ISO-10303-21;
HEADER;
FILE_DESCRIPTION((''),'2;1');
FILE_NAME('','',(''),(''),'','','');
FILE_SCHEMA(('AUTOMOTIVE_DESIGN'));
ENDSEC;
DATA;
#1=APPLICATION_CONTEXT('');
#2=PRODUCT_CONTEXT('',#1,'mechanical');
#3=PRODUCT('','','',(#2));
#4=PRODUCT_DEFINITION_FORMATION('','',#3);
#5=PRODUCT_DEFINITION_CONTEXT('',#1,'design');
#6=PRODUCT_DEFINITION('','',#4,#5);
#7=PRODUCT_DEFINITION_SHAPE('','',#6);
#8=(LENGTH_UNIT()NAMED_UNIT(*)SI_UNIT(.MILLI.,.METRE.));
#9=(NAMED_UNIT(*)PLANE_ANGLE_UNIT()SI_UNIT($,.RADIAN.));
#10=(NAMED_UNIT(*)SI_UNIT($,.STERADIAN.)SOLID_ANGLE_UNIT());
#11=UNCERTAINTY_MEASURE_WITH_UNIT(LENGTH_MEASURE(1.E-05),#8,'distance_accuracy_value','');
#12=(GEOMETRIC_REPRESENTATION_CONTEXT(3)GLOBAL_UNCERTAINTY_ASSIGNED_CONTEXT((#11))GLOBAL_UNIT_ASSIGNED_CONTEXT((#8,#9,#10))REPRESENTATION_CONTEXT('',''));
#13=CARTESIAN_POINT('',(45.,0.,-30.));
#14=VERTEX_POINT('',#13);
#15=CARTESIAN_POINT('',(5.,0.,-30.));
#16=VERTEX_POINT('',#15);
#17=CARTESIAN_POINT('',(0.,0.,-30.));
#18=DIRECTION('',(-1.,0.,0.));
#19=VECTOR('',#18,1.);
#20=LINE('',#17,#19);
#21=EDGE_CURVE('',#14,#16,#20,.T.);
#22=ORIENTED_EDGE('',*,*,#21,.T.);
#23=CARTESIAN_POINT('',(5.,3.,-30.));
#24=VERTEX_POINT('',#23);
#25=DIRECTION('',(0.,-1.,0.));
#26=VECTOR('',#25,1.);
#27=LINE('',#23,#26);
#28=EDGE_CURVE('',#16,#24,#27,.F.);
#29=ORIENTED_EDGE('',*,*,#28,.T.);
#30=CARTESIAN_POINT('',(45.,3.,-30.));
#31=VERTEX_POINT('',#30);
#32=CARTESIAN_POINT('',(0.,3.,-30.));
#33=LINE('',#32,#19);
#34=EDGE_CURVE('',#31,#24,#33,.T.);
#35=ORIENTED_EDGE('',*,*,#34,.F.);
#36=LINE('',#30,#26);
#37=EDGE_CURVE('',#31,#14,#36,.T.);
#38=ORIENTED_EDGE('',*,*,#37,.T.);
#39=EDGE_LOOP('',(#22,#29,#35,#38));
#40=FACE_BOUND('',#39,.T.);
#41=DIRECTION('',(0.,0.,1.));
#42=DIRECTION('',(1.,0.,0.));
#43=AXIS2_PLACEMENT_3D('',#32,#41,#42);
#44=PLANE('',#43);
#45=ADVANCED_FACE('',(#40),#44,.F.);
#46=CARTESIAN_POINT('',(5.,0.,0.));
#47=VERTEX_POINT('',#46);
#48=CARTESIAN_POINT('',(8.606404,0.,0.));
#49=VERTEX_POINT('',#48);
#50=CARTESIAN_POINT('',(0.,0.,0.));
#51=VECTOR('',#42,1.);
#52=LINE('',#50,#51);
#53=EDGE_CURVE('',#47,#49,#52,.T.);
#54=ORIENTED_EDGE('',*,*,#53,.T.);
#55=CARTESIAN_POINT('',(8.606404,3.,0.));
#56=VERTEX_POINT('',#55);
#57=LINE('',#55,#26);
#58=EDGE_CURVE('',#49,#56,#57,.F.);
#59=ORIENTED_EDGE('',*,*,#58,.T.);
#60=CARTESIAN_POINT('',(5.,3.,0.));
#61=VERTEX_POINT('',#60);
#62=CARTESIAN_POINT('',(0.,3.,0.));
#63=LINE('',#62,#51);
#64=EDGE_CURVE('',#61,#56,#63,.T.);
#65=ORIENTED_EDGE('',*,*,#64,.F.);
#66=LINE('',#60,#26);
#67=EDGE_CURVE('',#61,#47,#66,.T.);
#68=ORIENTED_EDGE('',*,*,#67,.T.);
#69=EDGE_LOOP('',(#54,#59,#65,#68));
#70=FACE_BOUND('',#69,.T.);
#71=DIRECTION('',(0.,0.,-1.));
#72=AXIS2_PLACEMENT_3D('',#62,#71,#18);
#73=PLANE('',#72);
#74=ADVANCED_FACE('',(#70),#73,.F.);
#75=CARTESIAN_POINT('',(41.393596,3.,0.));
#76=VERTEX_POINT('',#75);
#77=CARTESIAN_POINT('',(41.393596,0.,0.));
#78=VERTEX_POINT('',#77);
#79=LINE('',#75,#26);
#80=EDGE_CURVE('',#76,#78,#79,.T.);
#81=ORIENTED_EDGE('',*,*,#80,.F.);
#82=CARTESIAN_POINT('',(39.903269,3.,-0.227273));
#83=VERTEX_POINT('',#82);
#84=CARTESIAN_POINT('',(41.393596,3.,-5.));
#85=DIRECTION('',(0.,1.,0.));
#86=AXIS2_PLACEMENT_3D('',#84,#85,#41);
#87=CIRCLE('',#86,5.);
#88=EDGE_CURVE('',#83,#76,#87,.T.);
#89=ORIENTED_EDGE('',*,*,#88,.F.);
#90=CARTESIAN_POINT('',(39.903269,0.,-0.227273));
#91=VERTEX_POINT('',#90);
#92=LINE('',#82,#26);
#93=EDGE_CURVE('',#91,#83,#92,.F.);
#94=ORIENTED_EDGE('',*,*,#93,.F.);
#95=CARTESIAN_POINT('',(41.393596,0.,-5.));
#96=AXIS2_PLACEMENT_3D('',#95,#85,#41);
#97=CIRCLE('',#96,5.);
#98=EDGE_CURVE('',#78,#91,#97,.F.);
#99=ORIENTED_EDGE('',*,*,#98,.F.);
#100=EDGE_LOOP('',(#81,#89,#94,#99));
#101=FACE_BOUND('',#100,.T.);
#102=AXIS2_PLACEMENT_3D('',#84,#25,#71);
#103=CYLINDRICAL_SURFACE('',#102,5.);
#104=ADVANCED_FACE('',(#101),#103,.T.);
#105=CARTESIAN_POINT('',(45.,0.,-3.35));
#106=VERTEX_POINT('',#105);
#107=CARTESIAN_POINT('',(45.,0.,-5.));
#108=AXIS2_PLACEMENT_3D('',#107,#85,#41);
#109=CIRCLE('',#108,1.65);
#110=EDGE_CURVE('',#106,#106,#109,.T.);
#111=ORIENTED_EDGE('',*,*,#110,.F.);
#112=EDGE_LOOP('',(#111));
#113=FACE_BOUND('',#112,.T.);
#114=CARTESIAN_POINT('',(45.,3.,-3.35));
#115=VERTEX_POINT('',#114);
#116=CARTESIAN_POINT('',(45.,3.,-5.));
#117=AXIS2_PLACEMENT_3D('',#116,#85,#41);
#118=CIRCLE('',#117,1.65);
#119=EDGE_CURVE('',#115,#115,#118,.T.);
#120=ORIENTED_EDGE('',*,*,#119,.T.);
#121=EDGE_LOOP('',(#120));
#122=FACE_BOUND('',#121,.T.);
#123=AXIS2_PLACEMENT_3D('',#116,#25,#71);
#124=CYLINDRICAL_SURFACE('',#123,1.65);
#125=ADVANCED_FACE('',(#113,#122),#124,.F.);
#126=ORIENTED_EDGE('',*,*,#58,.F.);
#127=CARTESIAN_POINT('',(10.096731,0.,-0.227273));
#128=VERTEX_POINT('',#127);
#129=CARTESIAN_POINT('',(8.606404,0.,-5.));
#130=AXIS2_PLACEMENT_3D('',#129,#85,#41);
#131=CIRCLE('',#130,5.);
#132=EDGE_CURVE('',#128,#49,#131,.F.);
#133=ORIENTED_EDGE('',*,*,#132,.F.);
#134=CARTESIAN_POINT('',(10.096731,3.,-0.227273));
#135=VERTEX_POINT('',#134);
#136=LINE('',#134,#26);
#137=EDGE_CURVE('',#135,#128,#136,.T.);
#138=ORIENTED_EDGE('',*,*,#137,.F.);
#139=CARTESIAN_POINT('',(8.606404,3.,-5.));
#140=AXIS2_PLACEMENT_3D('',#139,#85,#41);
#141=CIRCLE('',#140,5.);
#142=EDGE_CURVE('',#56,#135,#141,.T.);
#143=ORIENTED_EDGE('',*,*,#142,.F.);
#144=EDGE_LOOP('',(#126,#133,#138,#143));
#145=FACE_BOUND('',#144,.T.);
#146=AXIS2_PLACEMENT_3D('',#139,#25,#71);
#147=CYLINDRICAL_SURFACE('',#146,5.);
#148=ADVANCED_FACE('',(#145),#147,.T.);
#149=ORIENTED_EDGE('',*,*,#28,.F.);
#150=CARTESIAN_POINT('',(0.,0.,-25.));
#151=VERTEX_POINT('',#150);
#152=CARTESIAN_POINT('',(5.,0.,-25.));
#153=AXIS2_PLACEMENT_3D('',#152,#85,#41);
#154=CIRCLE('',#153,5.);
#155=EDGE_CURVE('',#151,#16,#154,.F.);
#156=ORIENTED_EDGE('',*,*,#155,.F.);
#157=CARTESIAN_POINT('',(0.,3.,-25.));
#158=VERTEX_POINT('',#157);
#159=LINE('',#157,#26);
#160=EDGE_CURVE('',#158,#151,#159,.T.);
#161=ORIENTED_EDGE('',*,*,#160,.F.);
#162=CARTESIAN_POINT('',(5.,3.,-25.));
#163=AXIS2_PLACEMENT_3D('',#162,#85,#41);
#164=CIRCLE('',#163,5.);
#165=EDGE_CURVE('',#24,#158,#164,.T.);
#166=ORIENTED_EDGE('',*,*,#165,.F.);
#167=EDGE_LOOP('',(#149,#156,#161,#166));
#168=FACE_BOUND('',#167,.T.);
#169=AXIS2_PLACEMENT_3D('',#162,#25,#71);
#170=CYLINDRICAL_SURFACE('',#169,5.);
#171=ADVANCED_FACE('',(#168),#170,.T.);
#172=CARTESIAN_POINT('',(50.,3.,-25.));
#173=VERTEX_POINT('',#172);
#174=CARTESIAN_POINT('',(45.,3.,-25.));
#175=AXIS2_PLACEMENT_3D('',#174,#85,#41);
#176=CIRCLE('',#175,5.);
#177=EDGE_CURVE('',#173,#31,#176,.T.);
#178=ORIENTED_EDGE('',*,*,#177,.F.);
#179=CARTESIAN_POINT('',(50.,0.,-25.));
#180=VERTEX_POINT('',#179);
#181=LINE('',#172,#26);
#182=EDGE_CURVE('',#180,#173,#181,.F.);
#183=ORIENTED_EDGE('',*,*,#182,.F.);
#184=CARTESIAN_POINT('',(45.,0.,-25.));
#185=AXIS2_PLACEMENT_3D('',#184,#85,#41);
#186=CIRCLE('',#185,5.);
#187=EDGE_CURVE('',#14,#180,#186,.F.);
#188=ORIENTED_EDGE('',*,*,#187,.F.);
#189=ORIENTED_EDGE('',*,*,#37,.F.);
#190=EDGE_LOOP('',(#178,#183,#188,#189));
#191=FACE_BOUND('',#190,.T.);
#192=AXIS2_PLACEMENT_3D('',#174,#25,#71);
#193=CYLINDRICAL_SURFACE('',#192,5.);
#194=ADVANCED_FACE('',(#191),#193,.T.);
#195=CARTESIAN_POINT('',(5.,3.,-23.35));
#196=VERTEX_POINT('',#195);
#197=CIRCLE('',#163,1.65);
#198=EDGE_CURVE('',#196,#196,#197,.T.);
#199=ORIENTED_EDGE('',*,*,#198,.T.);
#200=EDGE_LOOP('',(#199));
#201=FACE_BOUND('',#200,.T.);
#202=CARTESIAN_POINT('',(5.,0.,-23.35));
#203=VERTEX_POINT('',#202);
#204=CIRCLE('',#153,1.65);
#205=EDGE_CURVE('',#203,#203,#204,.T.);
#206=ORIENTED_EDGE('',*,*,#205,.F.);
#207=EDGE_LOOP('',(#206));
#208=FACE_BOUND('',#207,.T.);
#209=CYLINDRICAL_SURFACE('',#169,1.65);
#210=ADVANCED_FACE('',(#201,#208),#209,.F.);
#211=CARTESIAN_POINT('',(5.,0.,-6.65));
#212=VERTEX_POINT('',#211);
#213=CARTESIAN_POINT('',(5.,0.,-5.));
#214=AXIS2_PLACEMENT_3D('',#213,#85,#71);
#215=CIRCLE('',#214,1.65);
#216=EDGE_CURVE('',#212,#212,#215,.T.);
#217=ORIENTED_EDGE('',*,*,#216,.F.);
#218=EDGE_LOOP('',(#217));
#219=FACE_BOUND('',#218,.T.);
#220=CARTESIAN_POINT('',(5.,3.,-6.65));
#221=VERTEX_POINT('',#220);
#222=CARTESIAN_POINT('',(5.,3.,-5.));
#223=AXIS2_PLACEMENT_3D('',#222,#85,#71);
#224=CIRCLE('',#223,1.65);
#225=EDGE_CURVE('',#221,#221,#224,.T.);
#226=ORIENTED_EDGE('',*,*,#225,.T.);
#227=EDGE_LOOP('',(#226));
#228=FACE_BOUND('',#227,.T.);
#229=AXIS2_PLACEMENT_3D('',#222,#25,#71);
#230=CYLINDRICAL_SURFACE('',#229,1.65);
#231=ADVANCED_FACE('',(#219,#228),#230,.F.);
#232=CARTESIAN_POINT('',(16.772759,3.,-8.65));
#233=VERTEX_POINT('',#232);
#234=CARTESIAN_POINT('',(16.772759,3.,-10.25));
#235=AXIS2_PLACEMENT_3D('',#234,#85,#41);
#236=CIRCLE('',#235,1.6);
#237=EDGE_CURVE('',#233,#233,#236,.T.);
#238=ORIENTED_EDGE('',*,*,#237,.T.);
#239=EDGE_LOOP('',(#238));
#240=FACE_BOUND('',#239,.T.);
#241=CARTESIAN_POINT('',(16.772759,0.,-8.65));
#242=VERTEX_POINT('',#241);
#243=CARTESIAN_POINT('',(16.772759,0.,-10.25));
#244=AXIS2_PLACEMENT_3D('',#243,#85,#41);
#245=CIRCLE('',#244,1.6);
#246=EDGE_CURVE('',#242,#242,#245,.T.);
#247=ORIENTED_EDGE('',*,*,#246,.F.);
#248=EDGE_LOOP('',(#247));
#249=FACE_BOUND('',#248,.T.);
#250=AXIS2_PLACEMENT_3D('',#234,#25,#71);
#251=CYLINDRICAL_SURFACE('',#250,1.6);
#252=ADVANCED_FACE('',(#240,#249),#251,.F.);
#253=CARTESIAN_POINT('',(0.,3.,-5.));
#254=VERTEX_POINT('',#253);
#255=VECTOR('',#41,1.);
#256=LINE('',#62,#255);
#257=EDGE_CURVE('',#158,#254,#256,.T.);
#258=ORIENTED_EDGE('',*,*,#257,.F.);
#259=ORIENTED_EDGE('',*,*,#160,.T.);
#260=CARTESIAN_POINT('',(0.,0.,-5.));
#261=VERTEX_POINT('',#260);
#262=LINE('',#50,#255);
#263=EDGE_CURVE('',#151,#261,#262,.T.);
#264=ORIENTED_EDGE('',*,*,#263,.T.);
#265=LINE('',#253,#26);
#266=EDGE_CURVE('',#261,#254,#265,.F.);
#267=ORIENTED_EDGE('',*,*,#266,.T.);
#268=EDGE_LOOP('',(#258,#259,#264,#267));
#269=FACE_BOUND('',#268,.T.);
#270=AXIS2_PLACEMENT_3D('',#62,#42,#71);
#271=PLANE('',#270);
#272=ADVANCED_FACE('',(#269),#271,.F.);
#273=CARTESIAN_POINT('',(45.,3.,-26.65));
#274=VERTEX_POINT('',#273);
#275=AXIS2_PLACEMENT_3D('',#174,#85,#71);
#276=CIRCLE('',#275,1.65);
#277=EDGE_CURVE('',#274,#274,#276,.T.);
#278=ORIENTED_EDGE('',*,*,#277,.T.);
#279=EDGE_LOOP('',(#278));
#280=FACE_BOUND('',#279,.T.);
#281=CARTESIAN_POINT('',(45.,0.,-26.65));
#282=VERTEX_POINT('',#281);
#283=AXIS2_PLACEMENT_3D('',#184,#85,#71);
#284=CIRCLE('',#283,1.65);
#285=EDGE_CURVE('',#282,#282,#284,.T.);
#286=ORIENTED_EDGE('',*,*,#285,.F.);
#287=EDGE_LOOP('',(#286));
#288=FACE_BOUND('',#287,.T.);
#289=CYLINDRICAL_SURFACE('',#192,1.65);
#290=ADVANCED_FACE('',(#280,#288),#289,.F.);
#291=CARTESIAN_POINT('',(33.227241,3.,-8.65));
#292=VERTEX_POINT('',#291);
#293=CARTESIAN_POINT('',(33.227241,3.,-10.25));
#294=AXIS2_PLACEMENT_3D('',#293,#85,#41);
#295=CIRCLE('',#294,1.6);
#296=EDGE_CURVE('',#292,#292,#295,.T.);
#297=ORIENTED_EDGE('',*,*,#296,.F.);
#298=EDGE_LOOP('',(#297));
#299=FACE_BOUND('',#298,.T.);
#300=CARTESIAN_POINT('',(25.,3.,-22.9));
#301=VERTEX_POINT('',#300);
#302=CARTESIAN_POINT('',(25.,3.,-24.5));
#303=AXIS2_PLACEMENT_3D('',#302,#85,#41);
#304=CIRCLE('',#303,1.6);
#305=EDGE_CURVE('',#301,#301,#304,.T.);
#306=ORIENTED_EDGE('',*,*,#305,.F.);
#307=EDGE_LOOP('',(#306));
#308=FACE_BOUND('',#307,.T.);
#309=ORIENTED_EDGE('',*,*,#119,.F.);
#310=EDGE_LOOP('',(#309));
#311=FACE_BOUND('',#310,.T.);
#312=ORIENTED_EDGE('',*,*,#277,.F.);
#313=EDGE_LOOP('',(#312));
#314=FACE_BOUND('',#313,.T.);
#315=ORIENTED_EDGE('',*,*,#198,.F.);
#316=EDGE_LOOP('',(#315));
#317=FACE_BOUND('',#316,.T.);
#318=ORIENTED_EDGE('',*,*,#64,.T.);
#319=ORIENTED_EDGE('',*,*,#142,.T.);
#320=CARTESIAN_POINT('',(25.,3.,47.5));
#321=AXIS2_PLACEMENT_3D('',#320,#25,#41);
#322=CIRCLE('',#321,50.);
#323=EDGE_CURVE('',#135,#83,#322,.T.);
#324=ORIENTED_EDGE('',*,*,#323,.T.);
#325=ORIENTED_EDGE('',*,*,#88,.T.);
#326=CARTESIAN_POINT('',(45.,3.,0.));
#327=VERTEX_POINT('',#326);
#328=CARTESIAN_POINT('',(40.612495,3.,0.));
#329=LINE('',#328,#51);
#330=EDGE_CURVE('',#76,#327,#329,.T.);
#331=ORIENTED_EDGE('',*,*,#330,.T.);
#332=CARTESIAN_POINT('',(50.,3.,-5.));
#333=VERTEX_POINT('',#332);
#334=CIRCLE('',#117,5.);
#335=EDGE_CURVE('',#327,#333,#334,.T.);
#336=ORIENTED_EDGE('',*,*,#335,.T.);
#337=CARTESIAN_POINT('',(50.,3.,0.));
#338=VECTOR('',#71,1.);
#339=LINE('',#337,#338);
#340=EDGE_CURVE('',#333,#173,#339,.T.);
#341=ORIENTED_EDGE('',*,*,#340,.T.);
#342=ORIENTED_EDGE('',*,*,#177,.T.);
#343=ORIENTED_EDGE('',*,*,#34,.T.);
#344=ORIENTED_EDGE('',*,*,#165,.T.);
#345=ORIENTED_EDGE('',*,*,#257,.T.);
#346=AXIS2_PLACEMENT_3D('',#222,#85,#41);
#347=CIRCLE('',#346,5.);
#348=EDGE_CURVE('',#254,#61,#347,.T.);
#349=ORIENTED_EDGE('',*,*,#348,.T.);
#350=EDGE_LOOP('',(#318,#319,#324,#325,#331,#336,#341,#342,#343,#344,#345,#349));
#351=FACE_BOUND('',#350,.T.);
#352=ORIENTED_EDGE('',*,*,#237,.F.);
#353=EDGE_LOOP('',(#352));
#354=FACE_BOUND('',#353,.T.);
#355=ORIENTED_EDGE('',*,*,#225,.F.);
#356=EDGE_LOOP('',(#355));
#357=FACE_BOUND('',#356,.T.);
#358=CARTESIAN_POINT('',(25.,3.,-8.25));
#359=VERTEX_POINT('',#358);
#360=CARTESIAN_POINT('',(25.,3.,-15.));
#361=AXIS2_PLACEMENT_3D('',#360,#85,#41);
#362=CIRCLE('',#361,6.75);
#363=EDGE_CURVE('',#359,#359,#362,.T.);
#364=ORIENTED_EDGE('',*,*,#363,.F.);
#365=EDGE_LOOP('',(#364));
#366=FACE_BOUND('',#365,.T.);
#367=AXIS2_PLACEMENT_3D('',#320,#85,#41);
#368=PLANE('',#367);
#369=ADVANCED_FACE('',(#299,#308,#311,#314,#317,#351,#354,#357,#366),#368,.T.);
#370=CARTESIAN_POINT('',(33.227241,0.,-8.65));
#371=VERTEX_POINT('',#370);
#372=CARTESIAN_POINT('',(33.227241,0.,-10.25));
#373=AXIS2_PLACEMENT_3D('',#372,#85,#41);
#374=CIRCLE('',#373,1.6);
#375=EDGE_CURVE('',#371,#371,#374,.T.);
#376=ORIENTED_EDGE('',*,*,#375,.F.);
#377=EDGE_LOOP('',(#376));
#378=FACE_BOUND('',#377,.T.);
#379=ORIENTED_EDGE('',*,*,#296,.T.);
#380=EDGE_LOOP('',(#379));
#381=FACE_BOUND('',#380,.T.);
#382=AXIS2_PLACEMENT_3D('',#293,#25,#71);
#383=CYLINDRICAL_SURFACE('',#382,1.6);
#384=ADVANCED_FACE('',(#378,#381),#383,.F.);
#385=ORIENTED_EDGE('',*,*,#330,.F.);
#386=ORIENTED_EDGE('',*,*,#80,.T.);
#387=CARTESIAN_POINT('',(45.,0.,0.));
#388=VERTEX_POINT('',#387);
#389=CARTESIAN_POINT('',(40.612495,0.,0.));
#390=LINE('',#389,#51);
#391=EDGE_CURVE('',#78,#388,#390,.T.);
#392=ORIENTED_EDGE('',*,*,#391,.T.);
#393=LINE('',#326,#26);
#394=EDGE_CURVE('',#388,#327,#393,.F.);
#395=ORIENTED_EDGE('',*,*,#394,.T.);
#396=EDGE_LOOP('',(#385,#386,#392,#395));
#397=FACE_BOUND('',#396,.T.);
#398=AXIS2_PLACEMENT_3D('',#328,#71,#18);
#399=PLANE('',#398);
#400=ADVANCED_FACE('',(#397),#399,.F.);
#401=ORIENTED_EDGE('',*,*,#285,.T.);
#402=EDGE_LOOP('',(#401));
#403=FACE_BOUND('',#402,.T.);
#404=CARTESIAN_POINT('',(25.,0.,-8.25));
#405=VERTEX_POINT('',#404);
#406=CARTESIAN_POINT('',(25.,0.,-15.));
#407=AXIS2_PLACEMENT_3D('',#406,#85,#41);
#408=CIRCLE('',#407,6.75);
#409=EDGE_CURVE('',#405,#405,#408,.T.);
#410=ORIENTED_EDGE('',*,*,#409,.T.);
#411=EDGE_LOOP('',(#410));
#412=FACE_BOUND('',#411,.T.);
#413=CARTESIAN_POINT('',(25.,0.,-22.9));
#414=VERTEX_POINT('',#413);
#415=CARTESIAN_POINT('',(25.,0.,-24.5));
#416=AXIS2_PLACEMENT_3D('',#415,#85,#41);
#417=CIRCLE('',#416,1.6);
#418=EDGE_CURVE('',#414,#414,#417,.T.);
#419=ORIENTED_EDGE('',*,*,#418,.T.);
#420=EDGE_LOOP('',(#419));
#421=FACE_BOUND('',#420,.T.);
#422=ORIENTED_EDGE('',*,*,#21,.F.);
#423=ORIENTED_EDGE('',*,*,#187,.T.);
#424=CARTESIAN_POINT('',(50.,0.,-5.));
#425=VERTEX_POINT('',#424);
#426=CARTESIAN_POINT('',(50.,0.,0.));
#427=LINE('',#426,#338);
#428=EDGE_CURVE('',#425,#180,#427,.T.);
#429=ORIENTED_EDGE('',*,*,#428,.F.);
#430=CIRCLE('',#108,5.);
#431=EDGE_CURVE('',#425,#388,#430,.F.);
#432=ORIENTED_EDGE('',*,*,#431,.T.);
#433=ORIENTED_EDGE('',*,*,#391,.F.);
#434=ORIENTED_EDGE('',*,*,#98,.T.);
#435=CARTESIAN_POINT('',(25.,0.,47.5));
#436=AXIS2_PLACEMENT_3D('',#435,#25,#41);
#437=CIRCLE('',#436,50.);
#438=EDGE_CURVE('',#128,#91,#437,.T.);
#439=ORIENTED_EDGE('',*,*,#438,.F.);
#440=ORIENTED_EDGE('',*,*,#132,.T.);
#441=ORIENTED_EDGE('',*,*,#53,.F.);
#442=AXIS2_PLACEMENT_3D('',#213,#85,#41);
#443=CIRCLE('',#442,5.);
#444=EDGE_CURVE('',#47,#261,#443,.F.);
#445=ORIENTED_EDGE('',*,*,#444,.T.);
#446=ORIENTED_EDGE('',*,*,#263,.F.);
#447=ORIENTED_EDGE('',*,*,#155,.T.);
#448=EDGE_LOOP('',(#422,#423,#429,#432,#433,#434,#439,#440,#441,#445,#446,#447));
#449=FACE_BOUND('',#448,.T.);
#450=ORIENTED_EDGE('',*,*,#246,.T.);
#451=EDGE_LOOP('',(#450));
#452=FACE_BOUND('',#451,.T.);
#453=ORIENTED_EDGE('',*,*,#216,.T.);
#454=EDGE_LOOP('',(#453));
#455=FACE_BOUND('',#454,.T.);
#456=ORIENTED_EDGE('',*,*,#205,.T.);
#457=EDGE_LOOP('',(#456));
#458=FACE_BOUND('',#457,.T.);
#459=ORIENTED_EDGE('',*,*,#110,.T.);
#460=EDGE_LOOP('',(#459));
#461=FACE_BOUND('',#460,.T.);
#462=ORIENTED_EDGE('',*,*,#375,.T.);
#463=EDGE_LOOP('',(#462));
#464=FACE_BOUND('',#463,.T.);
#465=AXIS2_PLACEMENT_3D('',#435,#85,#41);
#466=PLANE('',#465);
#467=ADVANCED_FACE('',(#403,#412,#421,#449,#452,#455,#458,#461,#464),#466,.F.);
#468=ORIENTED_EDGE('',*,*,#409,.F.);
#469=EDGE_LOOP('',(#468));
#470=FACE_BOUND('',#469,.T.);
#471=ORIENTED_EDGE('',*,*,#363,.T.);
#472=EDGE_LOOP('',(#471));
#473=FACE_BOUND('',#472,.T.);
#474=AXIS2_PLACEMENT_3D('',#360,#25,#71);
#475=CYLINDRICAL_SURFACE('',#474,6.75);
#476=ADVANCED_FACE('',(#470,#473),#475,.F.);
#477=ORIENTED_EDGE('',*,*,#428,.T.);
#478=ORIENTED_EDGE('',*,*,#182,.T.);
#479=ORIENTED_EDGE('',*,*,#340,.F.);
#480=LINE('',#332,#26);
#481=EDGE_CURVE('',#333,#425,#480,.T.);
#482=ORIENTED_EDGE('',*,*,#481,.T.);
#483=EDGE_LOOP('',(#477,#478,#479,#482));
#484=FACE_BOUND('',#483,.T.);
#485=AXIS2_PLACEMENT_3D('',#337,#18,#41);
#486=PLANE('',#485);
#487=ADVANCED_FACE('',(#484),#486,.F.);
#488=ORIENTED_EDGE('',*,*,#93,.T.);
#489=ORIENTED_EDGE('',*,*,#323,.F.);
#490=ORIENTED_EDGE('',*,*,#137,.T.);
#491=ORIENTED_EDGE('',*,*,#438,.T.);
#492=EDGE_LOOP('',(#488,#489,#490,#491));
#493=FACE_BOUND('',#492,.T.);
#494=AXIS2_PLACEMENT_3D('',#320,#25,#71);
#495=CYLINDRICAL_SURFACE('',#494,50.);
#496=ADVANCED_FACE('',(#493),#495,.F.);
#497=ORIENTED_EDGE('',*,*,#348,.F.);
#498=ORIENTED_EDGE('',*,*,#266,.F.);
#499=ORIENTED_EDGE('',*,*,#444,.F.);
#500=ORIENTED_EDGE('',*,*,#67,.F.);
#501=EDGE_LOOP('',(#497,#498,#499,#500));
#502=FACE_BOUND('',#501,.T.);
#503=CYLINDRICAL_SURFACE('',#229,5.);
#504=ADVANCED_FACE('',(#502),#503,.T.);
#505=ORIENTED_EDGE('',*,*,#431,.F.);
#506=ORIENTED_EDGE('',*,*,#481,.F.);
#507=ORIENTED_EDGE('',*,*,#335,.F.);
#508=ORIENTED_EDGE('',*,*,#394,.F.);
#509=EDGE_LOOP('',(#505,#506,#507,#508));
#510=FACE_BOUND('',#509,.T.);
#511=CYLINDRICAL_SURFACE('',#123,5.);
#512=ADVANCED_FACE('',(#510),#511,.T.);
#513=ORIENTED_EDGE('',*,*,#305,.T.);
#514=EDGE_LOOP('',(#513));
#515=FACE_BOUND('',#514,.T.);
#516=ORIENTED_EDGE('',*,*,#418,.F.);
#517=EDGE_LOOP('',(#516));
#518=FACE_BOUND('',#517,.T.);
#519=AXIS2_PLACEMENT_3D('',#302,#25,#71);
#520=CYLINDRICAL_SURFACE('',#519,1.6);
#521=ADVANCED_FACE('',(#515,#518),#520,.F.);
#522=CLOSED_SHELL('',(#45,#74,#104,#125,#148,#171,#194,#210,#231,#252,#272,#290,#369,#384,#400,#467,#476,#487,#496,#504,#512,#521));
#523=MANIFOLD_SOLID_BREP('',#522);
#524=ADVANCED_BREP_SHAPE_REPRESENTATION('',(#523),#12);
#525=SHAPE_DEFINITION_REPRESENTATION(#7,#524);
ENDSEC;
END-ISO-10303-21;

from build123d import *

# Parameters (mm, degrees)
SKETCH_1_R      = 1.65
SKETCH_1_R_2    = 6.75
SKETCH_1_R_3    = 1.6
EXTRUDE_1_DEPTH = 3
FILLET_1_R      = 5


with BuildPart() as part:
    # ｽｹｯﾁ1 → ﾎﾞｽ - 押し出し1 (new body)
    with BuildSketch(Plane(origin=(0, 0, 0), x_dir=(1, 0, 0), z_dir=(0, 1, 0))):
        with BuildLine():
            Line((0, 0), (9.387505004, 0))
            ThreePointArc((9.387505004, 0), (25, 2.5), (40.612494996, 0))
            Line((40.612494996, 0), (50, 0))
            Line((50, 0), (50, 30))
            Line((50, 30), (0, 30))
            Line((0, 30), (0, 0))
        make_face()
        with Locations(Location((45, 5, 0), (0, 0, 270))):
            Circle(SKETCH_1_R, mode=Mode.SUBTRACT)
        with Locations(Location((5, 5, 0), (0, 0, 90))):
            Circle(SKETCH_1_R, mode=Mode.SUBTRACT)
        with Locations(Location((5, 25, 0), (0, 0, 270))):
            Circle(SKETCH_1_R, mode=Mode.SUBTRACT)
        with Locations(Location((45, 25, 0), (0, 0, 90))):
            Circle(SKETCH_1_R, mode=Mode.SUBTRACT)
        with Locations(Location((25, 15, 0), (0, 0, 270))):
            Circle(SKETCH_1_R_2, mode=Mode.SUBTRACT)
        with Locations(Location((25, 24.5, 0), (0, 0, 270))):
            Circle(SKETCH_1_R_3, mode=Mode.SUBTRACT)
        with Locations(Location((33.227241336, 10.25, 0), (0, 0, 270))):
            Circle(SKETCH_1_R_3, mode=Mode.SUBTRACT)
        with Locations(Location((16.772758664, 10.25, 0), (0, 0, 270))):
            Circle(SKETCH_1_R_3, mode=Mode.SUBTRACT)
    extrude(amount=EXTRUDE_1_DEPTH)

    # ﾌｨﾚｯﾄ1
    fillet_1_edges = [part.edges().sort_by_distance(p)[0] for p in [
        (0, 1.5, -30),
        (50, 1.5, -30),
        (50, 1.5, 0),
        (40.612494996, 1.5, 0),
        (9.387505004, 1.5, 0),
        (0, 1.5, 0),
    ]]
    fillet(fillet_1_edges, radius=FILLET_1_R)


solid = part.part
